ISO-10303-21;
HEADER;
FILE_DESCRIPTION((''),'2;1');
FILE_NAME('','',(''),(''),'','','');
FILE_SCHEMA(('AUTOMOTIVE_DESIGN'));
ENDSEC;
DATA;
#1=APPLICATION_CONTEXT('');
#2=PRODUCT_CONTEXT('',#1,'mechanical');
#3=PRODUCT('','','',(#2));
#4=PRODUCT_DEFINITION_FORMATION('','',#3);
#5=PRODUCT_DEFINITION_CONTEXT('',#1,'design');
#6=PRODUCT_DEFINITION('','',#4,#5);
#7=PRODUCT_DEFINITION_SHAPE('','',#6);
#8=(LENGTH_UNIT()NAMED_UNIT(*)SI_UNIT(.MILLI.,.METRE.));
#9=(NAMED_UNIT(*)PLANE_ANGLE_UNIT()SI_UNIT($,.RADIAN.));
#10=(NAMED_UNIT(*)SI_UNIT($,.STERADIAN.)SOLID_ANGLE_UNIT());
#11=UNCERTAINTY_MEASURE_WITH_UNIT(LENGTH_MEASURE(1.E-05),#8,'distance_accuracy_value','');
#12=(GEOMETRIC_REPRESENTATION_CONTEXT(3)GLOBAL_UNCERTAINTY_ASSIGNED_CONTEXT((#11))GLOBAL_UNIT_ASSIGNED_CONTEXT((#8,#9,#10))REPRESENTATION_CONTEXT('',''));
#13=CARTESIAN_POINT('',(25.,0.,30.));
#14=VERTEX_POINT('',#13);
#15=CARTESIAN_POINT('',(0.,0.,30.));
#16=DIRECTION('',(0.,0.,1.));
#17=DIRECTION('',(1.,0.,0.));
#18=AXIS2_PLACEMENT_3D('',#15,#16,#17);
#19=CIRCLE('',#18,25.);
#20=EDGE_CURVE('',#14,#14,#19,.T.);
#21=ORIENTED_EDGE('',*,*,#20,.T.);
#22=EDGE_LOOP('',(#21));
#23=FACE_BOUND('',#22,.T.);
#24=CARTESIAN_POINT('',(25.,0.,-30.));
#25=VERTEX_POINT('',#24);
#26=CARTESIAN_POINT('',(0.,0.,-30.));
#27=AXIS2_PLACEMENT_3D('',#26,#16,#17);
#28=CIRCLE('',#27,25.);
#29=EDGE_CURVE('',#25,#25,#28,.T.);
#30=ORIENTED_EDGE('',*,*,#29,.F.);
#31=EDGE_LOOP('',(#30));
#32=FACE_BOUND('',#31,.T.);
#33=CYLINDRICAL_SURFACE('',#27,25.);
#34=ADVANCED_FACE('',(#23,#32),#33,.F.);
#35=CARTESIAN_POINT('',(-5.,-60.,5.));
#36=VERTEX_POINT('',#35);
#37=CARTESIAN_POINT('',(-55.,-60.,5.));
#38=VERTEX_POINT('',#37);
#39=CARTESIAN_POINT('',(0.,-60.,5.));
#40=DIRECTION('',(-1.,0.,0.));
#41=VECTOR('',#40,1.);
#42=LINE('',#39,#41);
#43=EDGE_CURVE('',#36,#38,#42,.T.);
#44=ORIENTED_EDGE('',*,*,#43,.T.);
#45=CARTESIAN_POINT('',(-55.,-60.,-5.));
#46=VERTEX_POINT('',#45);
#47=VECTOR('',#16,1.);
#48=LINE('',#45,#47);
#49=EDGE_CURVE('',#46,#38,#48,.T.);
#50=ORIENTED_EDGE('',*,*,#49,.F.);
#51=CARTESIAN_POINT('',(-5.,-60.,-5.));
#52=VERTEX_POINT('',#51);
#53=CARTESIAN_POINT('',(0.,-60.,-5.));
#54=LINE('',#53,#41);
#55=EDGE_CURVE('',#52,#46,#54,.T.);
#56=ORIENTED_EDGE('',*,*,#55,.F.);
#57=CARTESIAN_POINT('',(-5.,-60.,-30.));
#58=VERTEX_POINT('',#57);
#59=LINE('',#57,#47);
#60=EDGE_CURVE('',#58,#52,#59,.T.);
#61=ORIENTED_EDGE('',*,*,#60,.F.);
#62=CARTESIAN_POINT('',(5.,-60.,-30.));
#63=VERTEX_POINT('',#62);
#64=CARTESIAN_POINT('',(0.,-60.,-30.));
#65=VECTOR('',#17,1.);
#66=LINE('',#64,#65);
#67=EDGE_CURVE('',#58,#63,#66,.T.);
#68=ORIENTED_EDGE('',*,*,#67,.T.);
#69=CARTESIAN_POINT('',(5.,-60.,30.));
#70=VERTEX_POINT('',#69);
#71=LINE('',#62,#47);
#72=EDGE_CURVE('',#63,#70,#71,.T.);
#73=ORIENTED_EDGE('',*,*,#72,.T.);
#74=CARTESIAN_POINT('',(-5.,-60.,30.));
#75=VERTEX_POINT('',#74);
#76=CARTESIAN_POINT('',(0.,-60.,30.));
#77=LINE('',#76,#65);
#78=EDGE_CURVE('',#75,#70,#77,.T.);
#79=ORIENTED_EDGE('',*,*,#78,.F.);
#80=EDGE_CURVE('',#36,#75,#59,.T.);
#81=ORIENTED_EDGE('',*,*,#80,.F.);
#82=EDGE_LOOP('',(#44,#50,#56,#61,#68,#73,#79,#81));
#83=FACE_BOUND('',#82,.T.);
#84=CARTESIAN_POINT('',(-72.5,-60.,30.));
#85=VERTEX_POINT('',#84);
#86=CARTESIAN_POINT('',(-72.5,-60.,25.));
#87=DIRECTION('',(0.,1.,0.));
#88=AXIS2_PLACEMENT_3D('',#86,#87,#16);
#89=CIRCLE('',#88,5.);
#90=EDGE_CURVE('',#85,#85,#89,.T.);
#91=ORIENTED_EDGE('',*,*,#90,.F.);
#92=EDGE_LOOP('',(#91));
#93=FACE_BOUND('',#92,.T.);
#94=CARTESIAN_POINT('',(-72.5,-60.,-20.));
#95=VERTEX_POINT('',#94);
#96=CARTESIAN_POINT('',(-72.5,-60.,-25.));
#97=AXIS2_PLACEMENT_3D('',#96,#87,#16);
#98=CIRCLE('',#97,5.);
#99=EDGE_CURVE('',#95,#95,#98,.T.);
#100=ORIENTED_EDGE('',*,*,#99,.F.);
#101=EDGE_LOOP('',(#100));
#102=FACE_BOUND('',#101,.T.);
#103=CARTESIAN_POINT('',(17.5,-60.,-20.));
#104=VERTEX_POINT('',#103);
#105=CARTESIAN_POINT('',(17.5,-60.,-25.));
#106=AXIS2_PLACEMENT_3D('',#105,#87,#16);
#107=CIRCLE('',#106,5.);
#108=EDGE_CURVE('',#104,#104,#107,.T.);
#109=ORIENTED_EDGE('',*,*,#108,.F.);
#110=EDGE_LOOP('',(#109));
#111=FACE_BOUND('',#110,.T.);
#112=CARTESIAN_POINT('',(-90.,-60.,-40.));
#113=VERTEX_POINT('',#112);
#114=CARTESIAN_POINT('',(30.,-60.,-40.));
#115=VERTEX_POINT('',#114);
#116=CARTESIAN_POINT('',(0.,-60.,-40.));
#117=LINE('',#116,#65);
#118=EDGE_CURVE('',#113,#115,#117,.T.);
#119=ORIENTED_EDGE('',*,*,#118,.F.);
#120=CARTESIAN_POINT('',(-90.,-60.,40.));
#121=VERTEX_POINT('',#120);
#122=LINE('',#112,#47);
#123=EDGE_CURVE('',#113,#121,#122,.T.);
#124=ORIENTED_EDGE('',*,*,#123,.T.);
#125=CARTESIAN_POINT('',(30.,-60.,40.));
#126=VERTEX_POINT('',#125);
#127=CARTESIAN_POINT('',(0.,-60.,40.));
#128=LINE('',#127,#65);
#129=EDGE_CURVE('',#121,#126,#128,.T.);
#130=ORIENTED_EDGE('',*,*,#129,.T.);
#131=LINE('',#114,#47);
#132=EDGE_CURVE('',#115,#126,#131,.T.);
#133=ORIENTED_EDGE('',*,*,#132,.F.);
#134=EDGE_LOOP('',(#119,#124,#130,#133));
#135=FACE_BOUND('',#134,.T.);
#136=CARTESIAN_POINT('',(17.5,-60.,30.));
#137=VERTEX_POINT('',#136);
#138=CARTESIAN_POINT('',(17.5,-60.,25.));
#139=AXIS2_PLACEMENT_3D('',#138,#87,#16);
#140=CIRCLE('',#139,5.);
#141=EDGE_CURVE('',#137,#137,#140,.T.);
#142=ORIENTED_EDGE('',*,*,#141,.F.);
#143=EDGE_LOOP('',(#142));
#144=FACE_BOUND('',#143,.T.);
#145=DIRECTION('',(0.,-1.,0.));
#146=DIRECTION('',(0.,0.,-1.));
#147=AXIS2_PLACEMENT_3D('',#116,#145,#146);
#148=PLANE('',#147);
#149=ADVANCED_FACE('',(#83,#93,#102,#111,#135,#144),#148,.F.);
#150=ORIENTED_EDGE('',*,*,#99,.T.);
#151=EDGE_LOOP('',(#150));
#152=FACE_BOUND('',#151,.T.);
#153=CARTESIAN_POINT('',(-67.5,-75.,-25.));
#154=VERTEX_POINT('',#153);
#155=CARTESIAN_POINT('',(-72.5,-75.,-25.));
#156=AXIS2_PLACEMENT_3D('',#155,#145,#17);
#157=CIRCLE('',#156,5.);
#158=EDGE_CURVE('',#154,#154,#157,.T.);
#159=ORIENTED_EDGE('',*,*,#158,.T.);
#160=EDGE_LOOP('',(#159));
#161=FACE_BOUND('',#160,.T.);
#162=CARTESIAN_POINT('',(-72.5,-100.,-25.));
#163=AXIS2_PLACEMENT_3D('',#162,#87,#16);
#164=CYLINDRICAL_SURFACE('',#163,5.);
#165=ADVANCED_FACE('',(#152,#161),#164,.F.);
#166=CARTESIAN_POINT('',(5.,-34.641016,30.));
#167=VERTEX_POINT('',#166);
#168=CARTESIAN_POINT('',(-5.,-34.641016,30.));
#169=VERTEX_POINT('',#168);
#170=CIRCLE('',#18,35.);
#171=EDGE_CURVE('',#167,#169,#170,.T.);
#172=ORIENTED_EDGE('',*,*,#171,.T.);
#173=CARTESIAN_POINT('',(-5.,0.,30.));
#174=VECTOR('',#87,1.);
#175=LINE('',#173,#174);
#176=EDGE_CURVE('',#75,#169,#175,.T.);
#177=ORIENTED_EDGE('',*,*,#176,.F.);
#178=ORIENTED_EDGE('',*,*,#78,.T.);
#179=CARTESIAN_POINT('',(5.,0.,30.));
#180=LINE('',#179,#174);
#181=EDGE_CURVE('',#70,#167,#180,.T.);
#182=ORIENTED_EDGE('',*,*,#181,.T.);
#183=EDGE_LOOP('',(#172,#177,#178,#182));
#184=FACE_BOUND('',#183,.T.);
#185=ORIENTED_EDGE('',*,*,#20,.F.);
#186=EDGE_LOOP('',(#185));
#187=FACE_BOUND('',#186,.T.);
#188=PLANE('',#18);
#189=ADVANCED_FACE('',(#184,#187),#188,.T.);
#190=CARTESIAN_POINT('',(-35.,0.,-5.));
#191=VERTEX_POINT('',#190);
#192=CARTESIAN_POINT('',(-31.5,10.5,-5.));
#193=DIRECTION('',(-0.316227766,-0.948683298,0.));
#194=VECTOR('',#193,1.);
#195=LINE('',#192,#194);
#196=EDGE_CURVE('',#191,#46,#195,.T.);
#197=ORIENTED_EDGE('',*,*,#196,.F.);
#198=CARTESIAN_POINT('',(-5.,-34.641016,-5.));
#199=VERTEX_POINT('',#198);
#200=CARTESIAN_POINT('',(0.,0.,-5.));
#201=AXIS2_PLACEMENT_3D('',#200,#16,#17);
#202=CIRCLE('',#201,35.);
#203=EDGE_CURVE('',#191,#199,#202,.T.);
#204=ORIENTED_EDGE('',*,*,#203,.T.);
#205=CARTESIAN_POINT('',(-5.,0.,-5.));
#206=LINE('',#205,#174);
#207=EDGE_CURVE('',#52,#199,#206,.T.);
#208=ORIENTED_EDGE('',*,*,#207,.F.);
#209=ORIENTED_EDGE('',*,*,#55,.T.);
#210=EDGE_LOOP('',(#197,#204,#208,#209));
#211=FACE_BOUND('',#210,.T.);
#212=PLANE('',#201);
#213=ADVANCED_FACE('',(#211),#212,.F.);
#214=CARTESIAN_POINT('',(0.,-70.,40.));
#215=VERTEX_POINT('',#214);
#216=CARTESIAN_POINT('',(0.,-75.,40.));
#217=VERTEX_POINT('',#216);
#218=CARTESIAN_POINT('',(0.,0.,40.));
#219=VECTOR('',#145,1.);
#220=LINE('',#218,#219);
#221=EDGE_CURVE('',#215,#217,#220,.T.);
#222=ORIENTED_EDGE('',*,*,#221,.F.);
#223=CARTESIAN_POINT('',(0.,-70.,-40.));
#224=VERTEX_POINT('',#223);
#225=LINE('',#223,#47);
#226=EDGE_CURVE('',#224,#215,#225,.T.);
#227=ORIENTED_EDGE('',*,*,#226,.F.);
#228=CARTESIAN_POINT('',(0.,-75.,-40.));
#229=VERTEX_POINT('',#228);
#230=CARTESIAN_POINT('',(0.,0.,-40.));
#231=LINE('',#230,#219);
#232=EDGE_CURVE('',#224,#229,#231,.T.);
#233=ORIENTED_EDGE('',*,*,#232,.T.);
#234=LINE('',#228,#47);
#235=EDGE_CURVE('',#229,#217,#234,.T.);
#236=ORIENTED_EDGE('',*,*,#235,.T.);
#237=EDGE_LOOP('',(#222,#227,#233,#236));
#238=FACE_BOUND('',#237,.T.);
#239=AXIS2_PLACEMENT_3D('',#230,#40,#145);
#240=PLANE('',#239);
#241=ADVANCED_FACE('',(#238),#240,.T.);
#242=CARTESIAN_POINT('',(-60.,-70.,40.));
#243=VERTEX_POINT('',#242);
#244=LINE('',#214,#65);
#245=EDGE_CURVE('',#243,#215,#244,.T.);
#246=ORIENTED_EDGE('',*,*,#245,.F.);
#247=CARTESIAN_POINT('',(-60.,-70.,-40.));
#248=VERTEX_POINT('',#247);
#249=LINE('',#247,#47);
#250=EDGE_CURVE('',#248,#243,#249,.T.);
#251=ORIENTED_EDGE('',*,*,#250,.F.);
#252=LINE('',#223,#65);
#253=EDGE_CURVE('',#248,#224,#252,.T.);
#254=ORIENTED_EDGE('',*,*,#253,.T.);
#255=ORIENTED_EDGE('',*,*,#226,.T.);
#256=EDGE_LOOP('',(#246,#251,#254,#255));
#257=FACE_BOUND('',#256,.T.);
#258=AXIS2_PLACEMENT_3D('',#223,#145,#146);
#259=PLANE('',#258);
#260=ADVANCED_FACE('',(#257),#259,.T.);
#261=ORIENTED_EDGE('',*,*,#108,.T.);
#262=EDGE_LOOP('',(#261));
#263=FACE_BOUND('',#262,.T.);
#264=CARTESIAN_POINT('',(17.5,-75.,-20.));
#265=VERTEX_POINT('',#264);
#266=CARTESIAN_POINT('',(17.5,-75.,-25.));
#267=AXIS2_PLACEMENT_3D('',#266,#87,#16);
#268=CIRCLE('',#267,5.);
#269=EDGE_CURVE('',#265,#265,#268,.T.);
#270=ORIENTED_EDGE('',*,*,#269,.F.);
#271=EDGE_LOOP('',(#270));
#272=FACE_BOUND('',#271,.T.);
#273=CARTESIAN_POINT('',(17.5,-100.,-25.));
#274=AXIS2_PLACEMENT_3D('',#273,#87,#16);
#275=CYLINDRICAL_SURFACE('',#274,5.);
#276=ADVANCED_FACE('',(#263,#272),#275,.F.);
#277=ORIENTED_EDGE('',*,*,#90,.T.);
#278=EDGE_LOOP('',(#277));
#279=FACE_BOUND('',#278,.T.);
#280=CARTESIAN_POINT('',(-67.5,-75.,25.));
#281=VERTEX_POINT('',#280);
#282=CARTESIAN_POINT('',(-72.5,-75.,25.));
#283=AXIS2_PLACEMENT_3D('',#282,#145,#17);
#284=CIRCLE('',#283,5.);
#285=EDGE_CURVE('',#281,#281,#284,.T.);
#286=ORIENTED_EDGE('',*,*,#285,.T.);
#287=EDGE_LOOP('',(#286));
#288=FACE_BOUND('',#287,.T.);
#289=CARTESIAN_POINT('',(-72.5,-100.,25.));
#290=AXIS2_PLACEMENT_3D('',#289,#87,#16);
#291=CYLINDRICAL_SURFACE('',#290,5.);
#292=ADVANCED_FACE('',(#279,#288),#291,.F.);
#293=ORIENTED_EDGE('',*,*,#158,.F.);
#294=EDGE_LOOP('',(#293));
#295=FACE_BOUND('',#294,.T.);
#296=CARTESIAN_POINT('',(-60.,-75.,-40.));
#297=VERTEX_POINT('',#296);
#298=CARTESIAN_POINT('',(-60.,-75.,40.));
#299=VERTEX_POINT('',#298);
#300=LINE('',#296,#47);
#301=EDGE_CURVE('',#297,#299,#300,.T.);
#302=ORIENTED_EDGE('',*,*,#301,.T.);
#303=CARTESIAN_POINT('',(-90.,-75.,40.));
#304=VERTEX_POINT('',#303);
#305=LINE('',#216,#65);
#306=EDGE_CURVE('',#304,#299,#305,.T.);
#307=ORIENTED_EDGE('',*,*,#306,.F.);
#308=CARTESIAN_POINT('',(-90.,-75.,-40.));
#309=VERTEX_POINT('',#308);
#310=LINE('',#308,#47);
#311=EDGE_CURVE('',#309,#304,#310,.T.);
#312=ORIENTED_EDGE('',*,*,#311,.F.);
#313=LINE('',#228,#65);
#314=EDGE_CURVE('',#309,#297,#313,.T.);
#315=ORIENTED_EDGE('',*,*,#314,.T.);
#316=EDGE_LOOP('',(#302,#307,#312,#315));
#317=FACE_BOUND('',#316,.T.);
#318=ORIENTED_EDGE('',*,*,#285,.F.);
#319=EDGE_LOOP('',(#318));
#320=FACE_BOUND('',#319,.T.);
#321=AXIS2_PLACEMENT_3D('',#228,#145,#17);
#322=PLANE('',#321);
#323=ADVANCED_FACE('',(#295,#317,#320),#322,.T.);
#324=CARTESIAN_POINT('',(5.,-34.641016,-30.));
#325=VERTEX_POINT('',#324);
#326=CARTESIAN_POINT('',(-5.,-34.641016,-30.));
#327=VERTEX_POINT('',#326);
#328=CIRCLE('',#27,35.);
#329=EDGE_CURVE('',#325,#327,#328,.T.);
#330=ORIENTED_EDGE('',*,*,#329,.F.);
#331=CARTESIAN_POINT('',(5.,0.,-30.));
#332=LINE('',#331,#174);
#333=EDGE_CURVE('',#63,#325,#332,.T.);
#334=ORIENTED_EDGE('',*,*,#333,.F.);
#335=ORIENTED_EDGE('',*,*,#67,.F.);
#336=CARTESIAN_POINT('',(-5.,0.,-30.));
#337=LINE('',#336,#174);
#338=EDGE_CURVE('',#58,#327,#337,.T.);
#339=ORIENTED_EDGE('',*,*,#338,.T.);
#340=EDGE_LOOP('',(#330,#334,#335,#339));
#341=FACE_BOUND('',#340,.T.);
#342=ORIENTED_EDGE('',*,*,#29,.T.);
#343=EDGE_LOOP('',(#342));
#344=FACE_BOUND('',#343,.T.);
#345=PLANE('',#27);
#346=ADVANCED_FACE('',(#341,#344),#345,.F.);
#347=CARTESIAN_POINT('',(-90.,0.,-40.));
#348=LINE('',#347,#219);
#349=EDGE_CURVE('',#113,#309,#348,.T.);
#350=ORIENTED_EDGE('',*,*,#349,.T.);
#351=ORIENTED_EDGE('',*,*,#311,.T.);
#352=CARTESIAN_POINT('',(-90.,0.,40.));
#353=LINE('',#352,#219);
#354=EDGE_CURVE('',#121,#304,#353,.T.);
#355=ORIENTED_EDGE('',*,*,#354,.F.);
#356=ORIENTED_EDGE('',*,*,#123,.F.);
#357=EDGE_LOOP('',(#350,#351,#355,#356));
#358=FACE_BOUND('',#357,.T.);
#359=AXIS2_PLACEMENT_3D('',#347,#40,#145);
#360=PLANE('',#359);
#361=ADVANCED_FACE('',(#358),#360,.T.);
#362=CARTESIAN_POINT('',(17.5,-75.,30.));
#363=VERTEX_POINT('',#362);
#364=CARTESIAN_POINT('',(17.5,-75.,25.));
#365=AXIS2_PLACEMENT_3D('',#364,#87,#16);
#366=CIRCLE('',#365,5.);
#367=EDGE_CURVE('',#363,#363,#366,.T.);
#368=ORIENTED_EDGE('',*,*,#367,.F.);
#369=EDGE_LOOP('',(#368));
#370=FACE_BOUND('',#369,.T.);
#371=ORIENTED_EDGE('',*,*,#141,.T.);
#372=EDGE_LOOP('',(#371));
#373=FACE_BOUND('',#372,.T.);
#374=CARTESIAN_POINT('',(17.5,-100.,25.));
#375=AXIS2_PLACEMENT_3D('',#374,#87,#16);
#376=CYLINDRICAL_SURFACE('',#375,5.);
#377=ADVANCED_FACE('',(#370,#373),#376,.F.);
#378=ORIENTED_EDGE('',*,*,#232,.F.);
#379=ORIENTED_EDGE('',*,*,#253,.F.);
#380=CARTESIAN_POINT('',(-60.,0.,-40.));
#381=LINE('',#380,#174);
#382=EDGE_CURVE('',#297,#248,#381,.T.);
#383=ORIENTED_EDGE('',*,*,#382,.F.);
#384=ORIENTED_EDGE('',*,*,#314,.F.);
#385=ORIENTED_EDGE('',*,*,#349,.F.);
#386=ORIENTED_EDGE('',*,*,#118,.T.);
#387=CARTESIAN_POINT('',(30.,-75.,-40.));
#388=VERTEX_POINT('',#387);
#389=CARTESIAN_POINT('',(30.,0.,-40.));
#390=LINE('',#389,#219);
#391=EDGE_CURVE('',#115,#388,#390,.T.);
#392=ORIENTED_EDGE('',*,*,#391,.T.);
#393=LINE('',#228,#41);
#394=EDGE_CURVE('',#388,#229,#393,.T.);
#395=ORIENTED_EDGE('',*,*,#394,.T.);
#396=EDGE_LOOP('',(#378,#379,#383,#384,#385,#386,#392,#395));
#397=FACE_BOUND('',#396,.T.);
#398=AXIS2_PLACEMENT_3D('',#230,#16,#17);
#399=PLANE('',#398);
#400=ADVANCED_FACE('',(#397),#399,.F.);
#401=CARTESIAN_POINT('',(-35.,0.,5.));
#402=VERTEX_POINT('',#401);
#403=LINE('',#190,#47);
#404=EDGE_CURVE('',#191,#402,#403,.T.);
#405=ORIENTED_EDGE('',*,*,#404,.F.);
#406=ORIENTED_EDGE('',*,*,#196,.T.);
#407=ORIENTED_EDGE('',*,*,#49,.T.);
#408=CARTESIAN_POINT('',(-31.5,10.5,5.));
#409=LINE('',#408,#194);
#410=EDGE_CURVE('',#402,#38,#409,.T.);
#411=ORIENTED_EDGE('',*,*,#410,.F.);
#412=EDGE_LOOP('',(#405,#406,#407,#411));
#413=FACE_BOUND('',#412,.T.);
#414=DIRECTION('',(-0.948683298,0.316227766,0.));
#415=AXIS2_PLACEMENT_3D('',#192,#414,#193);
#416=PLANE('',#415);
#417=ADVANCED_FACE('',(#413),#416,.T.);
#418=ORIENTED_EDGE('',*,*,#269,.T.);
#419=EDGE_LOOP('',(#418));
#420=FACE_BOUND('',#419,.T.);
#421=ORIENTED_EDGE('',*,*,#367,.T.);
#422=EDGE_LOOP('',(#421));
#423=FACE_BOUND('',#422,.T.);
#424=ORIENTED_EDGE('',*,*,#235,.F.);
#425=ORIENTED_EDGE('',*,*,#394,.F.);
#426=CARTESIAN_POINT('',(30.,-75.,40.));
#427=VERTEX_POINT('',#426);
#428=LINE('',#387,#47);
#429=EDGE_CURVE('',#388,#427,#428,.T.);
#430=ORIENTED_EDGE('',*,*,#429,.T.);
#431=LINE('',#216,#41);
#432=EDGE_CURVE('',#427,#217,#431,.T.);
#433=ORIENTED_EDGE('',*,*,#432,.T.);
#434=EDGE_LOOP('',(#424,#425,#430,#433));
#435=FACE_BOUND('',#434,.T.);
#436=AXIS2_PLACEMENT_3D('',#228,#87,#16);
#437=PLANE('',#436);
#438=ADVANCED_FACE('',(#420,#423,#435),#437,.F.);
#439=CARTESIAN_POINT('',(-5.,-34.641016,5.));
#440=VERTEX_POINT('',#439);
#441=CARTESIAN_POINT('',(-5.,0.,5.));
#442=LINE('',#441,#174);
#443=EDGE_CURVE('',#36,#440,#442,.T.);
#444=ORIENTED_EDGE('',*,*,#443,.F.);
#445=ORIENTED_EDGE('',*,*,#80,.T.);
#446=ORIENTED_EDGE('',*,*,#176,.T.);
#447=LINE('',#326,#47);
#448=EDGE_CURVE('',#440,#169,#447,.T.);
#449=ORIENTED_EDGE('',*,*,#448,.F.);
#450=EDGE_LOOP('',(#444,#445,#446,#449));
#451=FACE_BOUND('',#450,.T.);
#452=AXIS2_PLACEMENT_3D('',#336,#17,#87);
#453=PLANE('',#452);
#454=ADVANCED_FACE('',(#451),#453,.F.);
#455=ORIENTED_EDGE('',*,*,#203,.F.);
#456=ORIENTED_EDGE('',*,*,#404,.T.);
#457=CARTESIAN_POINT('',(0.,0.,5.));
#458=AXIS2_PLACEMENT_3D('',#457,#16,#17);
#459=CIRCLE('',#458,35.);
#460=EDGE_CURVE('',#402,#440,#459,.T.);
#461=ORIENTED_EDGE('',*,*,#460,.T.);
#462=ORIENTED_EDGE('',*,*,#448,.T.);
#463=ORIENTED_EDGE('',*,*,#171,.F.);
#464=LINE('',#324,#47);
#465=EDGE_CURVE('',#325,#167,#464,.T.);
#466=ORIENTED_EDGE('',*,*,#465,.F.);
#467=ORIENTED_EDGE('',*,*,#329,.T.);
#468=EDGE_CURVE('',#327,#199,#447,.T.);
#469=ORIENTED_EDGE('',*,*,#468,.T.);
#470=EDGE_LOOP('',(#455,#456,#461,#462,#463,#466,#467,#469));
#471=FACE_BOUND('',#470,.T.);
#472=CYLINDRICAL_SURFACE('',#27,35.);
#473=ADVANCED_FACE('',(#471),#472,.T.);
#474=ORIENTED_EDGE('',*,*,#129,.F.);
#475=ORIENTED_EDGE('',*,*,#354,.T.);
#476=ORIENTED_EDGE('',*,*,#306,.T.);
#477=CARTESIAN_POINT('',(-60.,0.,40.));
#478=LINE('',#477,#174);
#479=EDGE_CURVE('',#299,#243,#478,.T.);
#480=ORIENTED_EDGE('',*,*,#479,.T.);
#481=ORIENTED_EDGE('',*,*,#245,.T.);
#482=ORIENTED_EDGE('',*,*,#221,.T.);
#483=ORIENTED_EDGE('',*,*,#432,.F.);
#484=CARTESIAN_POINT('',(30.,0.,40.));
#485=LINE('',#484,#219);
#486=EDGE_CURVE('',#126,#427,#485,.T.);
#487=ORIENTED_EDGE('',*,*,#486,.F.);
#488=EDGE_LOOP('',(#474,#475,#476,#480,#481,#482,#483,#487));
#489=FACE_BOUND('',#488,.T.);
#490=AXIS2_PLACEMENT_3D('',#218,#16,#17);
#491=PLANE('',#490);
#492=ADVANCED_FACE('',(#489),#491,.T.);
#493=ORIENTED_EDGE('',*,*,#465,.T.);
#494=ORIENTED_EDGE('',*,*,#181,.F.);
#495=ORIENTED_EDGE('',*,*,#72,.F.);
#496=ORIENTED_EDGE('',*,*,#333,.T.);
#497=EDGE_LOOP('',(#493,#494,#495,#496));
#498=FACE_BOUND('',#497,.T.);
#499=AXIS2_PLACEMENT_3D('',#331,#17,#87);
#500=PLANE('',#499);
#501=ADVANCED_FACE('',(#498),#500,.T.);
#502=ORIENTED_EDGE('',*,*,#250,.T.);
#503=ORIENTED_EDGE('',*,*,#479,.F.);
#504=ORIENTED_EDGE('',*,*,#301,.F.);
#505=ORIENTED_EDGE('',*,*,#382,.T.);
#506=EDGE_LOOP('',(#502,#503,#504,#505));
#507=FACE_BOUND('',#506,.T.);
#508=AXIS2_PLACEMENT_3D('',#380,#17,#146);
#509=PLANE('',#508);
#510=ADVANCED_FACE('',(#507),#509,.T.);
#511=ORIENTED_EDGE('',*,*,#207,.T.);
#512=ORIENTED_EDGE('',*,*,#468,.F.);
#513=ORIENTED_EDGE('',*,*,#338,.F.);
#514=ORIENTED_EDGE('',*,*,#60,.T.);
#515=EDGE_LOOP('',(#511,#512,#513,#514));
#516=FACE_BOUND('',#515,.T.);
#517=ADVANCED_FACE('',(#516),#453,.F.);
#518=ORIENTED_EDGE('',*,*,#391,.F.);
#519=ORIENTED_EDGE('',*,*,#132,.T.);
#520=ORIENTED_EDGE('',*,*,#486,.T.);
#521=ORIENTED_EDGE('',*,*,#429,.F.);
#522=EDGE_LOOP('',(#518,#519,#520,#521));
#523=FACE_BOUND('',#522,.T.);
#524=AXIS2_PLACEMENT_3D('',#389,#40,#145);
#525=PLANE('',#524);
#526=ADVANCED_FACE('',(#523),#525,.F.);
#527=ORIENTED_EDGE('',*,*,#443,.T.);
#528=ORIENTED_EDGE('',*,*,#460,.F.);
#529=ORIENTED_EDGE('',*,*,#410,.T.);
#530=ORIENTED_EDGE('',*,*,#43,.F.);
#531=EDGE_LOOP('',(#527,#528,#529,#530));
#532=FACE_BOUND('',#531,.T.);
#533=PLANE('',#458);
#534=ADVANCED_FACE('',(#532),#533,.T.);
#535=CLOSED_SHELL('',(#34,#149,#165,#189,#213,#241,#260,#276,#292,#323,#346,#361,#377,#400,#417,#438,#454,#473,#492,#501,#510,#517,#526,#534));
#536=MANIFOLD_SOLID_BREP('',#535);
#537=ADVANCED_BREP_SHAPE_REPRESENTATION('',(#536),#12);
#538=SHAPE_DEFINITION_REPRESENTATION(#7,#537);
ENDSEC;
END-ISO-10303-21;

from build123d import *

# Parameters (mm, degrees)
BOSS_EXTRUDE1_DEPTH      = 30
BOSS_EXTRUDE1_DEPTH_BACK = 30
SKETCH1_R                = 25
BOSS_EXTRUDE2_DEPTH      = 5
BOSS_EXTRUDE2_DEPTH_BACK = 5
BOSS_EXTRUDE3_DEPTH      = 40
BOSS_EXTRUDE3_DEPTH_BACK = 40
SKETCH2_R                = 5
CUT_EXTRUDE1_DEPTH       = 40


with BuildPart() as part:
    # Sketch1 → Boss-Extrude1 (new, two sides: drawn at the far end of the back side and taken through both)
    with BuildSketch(Plane.XY.offset(-BOSS_EXTRUDE1_DEPTH_BACK)):
        with BuildLine():
            Line((-5, -34.641016151), (-5, -60))
            Line((-5, -60), (0, -60))
            Line((0, -60), (5, -60))
            Line((5, -60), (5, -34.641016151))
            ThreePointArc((5, -34.641016151), (22.912878475, 26.457513111), (-35, 0))
            ThreePointArc((-35, 0), (-26.457513111, -22.912878475), (-5, -34.641016151))
        make_face()
        Circle(SKETCH1_R, mode=Mode.SUBTRACT)
    extrude(amount=BOSS_EXTRUDE1_DEPTH + BOSS_EXTRUDE1_DEPTH_BACK)

    # Sketch1<5> → Boss-Extrude2 (add, two sides: drawn at the far end of the back side and taken through both)
    with BuildSketch(Plane.XY.offset(-BOSS_EXTRUDE2_DEPTH_BACK)):
        with BuildLine():
            Line((-55, -60), (-5, -60))
            Line((-5, -60), (-5, -34.641016151))
            ThreePointArc((-5, -34.641016151), (-26.457513111, -22.912878475), (-35, 0))
            Line((-35, 0), (-55, -60))
        make_face()
    extrude(amount=BOSS_EXTRUDE2_DEPTH + BOSS_EXTRUDE2_DEPTH_BACK)

    # Sketch1<6> → Boss-Extrude3 (add, two sides: drawn at the far end of the back side and taken through both)
    with BuildSketch(Plane.XY.offset(-BOSS_EXTRUDE3_DEPTH_BACK)):
        Polygon((0, -60), (-5, -60), (-55, -60), (-90, -60), (-90, -75), (-60, -75), (-60, -70), (0, -70), (0, -75), (30, -75), (30, -60), (5, -60), align=None)
    extrude(amount=BOSS_EXTRUDE3_DEPTH + BOSS_EXTRUDE3_DEPTH_BACK)

    # Sketch2 → Cut-Extrude1 (cut)
    with BuildSketch(Plane(origin=(0, -60, 0), x_dir=(1, 0, 0), z_dir=(0, 1, 0))):
        with Locations((-72.5, 25)):
            Circle(SKETCH2_R)
        with Locations((17.5, 25)):
            Circle(SKETCH2_R)
        with Locations((17.5, -25)):
            Circle(SKETCH2_R)
        with Locations((-72.5, -25)):
            Circle(SKETCH2_R)
    extrude(amount=-CUT_EXTRUDE1_DEPTH, mode=Mode.SUBTRACT)


solid = part.part
